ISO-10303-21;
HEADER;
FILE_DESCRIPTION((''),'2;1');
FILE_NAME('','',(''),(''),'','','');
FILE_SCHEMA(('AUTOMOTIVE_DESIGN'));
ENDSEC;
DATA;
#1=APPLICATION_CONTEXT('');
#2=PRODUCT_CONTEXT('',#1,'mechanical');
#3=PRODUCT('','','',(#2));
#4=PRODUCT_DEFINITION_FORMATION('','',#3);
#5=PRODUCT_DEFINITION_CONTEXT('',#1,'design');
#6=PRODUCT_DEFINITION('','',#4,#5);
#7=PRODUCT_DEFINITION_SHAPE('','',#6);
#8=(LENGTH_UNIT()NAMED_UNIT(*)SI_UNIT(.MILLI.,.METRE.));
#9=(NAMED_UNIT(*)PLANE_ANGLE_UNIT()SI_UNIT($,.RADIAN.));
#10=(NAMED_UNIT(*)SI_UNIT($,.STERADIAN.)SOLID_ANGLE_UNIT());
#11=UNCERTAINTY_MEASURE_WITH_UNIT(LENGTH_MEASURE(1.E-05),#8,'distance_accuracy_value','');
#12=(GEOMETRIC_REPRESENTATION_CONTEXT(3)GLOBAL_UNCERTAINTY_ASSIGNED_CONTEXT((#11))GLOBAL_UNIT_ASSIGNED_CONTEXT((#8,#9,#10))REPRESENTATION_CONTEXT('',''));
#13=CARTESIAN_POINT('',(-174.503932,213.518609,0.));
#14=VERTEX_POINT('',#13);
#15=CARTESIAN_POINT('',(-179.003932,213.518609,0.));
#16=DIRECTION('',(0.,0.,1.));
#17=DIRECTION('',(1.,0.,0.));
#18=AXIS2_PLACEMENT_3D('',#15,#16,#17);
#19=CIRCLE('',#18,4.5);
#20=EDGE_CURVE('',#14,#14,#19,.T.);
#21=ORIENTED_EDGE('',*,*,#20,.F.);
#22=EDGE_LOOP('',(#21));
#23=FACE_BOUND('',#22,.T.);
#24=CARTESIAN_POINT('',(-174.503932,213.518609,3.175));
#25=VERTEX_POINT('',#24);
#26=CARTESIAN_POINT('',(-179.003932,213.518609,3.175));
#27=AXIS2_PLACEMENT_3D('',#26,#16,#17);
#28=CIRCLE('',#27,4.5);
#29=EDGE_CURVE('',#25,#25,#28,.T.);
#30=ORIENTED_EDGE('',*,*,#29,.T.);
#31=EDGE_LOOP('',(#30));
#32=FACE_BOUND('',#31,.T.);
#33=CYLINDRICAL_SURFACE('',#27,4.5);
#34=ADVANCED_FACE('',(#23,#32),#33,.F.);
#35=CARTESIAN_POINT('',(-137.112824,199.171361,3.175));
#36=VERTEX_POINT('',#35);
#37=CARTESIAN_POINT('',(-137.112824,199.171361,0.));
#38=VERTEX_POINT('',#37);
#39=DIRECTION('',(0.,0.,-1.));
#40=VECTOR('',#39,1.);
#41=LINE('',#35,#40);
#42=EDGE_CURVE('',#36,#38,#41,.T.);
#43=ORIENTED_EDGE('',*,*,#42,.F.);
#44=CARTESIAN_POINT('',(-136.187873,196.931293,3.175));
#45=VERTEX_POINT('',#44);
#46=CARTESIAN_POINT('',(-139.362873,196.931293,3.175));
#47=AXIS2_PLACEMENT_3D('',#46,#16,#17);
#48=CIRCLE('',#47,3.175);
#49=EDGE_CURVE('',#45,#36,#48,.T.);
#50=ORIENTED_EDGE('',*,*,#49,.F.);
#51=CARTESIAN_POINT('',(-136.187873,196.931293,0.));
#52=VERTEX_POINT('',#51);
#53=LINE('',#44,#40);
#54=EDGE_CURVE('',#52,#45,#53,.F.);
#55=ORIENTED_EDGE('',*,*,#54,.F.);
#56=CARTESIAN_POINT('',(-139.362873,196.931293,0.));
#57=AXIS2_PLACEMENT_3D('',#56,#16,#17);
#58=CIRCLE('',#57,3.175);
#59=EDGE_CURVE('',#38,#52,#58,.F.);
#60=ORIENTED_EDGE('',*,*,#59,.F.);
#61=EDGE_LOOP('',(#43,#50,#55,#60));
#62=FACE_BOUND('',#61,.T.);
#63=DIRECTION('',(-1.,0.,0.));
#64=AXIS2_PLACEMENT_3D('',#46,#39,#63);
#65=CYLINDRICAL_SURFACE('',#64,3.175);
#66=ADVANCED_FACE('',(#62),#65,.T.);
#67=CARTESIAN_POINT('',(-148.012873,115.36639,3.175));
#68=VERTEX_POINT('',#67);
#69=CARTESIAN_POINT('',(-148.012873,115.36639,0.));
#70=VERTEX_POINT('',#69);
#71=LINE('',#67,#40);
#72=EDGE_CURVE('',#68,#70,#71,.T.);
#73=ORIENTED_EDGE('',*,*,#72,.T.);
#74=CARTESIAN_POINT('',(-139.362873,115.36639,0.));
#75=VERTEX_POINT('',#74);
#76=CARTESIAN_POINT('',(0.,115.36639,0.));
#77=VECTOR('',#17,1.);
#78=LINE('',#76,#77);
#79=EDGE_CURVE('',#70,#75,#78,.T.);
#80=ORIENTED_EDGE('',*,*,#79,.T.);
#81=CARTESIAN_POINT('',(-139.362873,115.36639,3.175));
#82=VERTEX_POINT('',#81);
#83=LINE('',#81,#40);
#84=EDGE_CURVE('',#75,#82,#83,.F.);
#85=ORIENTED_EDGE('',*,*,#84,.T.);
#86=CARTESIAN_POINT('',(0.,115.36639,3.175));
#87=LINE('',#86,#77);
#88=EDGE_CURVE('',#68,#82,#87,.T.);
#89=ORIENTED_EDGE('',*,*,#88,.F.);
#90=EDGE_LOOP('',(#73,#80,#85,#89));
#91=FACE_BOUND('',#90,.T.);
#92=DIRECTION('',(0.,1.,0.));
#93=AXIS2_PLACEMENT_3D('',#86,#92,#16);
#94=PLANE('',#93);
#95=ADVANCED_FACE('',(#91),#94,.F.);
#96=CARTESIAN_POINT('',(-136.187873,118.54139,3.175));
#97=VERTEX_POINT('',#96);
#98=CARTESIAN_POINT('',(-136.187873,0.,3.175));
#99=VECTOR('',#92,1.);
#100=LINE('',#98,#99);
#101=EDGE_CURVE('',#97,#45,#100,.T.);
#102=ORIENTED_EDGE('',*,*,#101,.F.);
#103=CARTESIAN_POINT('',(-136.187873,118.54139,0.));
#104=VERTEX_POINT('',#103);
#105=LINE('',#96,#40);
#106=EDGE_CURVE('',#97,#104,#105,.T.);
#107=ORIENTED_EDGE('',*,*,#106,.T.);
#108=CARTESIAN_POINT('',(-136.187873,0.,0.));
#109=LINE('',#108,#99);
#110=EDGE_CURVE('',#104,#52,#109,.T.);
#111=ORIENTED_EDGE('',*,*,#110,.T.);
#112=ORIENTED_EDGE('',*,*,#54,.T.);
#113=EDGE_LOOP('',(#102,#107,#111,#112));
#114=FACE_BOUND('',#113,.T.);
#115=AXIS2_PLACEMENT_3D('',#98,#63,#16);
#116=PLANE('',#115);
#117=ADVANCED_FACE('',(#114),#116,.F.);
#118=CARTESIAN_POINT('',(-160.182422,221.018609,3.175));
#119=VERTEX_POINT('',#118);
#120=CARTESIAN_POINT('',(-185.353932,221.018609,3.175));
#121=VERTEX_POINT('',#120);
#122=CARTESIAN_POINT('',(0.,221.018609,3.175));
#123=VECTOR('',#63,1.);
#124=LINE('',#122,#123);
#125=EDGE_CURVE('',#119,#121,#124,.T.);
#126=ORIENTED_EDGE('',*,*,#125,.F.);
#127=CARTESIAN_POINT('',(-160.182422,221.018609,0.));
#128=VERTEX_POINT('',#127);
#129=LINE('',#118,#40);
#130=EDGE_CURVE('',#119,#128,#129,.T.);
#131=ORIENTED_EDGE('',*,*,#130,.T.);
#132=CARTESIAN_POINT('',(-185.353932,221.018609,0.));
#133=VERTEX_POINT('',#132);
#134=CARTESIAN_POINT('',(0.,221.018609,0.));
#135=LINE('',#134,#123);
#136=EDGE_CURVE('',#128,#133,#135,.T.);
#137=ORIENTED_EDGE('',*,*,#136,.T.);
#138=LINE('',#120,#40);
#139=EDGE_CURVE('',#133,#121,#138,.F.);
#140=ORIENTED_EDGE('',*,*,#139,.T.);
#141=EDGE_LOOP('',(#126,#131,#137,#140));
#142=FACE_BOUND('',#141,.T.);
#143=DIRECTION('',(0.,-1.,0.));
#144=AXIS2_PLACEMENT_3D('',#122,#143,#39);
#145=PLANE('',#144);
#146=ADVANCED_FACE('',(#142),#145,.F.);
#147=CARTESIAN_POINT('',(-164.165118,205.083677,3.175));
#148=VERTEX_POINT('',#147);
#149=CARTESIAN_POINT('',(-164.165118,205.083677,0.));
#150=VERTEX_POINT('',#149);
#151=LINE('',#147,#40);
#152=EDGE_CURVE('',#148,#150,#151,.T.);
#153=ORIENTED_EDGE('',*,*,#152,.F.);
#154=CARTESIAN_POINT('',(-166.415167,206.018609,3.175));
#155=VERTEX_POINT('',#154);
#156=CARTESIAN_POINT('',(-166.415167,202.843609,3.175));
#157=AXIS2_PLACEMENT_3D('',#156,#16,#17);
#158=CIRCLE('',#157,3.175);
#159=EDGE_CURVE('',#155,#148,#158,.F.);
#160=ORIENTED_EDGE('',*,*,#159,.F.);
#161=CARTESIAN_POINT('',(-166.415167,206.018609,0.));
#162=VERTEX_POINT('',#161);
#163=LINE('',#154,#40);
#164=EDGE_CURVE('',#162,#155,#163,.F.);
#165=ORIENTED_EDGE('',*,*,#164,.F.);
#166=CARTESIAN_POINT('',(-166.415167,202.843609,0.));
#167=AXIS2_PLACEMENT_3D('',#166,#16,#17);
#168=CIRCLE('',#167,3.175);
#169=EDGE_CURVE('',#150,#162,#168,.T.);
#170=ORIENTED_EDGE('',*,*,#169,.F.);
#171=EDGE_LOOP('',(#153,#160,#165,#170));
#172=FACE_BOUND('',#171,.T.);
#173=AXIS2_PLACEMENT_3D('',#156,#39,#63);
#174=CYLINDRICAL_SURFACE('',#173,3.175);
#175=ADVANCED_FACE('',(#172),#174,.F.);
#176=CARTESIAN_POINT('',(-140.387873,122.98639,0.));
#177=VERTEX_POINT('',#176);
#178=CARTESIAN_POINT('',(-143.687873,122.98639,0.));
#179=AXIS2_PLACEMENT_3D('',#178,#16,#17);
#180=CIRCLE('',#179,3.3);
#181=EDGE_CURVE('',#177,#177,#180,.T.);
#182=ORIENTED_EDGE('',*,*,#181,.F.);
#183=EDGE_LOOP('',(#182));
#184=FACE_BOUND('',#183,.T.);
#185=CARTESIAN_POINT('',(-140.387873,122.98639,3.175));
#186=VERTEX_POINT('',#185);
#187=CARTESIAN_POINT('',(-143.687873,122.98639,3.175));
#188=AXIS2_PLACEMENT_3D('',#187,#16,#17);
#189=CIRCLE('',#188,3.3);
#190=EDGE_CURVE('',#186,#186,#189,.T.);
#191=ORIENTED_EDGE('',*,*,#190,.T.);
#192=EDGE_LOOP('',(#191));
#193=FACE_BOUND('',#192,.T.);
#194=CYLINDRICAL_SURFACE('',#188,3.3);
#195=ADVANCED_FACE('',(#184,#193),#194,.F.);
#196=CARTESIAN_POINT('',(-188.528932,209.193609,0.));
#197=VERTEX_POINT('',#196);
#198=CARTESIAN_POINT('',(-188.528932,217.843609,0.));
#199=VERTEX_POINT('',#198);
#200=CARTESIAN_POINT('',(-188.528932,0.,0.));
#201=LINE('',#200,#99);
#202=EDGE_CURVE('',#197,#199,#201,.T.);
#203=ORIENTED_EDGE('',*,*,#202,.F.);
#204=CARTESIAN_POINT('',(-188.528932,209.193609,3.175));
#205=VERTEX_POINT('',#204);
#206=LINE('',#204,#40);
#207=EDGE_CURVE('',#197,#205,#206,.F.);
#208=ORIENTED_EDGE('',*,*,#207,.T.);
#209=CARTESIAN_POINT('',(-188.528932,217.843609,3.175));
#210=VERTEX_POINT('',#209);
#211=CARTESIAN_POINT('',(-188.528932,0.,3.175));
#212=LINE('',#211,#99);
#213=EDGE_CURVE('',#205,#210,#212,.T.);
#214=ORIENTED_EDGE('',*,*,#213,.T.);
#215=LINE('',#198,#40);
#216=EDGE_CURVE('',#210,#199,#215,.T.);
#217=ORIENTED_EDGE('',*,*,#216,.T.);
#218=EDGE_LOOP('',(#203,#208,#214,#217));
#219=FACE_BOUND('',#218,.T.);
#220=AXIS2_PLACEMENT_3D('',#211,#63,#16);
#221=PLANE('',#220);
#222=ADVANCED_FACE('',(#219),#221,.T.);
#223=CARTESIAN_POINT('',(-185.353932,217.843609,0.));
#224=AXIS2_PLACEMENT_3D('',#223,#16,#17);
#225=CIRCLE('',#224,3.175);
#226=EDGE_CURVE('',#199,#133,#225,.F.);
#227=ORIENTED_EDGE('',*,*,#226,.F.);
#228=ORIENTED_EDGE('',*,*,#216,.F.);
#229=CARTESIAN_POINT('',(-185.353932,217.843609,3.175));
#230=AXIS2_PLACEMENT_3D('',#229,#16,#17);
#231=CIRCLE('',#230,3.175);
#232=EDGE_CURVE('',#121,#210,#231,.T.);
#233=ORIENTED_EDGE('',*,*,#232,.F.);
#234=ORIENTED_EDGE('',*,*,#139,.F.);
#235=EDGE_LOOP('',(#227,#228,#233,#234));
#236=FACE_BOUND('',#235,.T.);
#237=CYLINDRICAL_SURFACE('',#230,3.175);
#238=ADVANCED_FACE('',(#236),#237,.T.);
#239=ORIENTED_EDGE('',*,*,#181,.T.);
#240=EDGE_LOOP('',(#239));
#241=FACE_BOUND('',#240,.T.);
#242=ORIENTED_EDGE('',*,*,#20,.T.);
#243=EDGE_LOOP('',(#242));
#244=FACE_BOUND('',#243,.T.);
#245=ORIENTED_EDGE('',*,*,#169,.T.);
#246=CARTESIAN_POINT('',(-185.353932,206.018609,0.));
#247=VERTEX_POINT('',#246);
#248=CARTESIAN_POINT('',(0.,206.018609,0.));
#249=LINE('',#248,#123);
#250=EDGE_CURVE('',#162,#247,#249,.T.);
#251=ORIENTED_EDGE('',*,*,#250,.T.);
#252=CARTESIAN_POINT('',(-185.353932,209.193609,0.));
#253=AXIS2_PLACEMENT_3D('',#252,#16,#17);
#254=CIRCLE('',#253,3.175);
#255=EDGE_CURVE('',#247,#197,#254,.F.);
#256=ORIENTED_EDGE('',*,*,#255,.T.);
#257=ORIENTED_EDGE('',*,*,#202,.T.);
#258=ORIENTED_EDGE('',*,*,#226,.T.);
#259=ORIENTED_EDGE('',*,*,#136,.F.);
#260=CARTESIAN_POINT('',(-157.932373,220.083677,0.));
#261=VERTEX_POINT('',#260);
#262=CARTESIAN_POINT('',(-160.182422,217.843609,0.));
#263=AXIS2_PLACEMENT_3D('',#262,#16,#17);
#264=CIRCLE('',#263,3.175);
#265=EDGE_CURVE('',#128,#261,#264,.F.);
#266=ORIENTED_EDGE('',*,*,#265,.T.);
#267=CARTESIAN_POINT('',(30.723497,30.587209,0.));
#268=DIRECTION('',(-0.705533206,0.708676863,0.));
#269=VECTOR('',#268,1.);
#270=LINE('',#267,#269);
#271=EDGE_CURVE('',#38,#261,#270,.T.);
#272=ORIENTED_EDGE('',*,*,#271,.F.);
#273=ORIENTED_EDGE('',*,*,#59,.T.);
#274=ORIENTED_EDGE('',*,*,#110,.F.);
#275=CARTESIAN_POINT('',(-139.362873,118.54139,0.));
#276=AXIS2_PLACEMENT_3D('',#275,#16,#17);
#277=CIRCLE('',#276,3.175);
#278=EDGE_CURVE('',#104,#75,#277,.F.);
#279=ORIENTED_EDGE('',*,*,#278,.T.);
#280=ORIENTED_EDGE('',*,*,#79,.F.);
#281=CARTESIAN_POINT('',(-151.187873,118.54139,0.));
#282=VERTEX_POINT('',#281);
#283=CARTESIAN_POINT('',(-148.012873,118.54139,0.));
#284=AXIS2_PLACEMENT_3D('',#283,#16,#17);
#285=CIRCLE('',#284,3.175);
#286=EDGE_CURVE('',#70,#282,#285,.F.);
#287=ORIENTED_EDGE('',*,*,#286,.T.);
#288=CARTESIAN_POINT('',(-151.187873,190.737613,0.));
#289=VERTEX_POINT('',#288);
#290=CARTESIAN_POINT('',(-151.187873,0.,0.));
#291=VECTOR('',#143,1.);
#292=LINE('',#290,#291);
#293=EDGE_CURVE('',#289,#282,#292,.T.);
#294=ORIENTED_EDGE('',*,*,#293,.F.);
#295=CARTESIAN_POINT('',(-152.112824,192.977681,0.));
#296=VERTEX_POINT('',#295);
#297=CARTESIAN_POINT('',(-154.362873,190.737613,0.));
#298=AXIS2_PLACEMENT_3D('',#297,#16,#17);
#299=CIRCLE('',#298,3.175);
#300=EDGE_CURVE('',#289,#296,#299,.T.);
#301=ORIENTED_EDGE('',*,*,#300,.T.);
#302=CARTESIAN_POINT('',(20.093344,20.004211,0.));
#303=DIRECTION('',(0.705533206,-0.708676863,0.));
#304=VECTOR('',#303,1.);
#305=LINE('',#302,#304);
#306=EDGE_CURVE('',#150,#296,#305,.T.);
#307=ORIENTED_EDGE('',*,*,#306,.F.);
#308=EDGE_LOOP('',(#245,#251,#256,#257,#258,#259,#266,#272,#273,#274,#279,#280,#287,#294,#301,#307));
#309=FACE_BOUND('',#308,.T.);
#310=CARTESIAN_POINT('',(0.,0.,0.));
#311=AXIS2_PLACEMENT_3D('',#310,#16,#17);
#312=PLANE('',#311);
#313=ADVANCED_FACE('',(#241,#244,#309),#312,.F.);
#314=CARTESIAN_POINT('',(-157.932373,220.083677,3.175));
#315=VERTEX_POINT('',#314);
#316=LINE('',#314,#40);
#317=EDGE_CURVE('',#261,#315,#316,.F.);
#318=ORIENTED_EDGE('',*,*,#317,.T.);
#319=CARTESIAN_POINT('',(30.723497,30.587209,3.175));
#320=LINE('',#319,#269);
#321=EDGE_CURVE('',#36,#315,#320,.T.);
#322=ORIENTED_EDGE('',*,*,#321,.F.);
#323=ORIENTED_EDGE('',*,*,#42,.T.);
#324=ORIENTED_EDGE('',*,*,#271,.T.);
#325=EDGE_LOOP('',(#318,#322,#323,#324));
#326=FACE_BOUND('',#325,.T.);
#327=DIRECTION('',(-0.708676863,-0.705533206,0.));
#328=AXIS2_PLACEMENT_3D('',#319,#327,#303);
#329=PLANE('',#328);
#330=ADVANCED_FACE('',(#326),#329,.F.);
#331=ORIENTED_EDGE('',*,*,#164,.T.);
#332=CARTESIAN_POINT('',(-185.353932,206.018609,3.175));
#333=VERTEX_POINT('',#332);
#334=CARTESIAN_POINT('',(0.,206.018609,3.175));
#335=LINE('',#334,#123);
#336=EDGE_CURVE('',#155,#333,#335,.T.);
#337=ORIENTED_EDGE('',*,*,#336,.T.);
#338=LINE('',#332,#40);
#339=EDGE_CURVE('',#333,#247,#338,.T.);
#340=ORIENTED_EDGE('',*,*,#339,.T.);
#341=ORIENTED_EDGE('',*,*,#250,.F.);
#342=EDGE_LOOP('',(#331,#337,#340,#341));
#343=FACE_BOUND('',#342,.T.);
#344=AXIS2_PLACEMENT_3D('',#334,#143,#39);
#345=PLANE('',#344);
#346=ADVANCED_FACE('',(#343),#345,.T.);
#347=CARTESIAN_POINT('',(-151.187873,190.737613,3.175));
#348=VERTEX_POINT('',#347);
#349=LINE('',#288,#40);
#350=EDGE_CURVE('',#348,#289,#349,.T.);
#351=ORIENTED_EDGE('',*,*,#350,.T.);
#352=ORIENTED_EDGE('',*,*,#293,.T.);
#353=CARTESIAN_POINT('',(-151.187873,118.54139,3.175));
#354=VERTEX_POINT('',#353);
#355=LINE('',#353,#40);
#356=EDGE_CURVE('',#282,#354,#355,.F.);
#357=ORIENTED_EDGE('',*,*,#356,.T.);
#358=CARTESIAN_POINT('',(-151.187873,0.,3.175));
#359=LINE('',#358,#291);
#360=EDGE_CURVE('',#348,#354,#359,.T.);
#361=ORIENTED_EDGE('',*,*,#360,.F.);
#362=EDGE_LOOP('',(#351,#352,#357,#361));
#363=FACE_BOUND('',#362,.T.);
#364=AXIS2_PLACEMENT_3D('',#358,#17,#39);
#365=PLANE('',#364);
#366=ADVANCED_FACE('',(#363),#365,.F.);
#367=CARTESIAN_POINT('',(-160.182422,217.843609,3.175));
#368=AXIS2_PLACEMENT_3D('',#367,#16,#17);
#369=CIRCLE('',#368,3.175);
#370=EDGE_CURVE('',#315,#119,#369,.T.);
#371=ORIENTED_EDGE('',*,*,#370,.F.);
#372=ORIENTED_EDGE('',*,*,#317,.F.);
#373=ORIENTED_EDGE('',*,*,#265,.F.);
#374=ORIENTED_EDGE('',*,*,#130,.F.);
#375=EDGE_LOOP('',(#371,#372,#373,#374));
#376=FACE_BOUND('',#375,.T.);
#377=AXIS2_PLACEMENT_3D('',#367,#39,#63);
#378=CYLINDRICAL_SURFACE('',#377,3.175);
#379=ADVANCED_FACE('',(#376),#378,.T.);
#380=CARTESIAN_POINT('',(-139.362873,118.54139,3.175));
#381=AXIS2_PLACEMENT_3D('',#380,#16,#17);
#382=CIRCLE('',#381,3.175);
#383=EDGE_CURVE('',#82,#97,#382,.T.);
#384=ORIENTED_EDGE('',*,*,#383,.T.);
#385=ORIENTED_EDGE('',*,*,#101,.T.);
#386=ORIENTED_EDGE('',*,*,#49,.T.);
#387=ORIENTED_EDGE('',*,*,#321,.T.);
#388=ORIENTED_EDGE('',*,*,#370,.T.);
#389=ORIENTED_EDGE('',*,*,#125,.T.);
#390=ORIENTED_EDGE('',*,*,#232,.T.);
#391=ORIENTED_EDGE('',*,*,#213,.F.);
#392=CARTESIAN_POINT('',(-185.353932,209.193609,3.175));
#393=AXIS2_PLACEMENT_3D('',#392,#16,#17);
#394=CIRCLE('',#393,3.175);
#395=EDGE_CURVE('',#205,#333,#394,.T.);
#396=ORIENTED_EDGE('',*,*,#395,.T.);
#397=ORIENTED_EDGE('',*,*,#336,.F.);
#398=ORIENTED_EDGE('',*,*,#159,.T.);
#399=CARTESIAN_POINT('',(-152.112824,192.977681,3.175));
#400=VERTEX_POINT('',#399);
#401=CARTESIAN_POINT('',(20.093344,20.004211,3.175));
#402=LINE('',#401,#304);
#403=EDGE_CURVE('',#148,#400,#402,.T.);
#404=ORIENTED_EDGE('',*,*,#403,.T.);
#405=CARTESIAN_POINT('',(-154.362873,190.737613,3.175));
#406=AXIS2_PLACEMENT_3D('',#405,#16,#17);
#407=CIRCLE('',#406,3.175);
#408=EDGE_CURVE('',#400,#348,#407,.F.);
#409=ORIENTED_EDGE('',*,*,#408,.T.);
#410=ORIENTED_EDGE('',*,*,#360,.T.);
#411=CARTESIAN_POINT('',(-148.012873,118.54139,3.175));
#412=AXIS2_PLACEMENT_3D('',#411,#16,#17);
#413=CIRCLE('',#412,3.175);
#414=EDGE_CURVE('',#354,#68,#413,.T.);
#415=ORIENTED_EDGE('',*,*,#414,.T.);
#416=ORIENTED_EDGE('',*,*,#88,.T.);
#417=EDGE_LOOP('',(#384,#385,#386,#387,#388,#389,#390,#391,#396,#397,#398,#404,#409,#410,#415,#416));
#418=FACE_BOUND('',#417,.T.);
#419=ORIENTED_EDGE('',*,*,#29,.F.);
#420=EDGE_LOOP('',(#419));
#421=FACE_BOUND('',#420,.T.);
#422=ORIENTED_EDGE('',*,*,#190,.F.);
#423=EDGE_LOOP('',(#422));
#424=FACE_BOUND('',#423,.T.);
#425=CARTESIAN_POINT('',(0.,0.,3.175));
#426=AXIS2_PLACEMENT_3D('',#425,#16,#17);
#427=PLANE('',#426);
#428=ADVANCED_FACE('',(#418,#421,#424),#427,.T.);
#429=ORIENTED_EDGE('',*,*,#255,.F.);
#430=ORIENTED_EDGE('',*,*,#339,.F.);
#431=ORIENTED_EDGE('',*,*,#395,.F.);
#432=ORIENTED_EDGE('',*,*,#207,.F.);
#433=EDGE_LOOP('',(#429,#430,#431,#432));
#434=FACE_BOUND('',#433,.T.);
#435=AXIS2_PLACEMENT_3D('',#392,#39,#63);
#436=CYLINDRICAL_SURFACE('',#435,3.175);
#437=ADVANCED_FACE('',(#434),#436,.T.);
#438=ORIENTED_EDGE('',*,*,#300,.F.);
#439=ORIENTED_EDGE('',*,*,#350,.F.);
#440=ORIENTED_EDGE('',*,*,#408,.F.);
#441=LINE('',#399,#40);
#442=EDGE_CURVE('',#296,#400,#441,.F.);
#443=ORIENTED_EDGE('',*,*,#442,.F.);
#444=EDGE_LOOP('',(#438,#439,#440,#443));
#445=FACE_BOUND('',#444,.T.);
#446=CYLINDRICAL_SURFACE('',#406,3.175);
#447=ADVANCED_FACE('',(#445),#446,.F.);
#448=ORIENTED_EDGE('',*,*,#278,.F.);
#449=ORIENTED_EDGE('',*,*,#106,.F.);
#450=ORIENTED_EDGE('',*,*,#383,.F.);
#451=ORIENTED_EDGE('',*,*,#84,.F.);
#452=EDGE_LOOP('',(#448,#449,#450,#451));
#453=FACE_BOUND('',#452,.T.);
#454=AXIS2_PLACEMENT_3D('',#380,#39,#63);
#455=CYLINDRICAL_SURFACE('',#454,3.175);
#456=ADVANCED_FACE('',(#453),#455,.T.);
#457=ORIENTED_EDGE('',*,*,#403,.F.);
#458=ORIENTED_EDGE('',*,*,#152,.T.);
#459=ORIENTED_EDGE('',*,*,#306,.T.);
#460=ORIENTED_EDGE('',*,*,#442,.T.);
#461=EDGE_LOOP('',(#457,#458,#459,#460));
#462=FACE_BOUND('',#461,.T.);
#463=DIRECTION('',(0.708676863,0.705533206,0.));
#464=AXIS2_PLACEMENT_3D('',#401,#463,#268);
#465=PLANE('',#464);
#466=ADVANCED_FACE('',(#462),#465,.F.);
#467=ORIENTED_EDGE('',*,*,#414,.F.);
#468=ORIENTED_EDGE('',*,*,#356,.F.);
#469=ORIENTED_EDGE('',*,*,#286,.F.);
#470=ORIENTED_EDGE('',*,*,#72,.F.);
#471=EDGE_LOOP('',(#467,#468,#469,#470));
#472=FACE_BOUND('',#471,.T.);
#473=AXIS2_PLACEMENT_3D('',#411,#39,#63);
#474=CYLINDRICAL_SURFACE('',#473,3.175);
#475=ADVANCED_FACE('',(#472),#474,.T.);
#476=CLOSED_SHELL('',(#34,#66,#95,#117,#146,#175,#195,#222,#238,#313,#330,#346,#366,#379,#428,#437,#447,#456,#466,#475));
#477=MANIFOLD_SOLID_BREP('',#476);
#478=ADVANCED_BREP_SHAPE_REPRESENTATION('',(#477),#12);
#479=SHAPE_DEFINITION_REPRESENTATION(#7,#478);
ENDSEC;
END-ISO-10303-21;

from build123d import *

# Parameters (mm, degrees)
BOSS_EXTRUDE1_DEPTH  = 3.175
M6_CLEARANCE_HOLE1_D = 6.6
FILLET1_R            = 3.175
M8_CLEARANCE_HOLE1_D = 9


with BuildPart() as part:
    # Sketch2 → Boss-Extrude1 (new body)
    with BuildSketch(Plane.XY):
        Polygon((-136.187872738, 122.986389998), (-136.187872738, 198.242289047), (-158.863157835, 221.01860883), (-179.00393221, 221.01860883), (-188.52893221, 221.01860883), (-188.52893221, 206.01860883), (-179.00393221, 206.01860883), (-151.187872738, 206.01860883), (-151.187872738, 122.986389998), (-151.187872738, 115.366389998), (-136.187872738, 115.366389998), align=None)
        Polygon((-151.187872738, 206.01860883), (-165.095902474, 206.01860883), (-151.187872738, 192.04860883), align=None)
    extrude(amount=BOSS_EXTRUDE1_DEPTH)

    # M6 Clearance Hole1 (through all)
    with Locations(Plane.XY.offset(3.175)):
        with Locations((-143.687872738, 122.986389998)):
            Hole(M6_CLEARANCE_HOLE1_D / 2)

    # Fillet1
    fillet1_edges = [part.edges().sort_by_distance(p)[0] for p in [
        (-188.52893221, 206.01860883, 1.5875),
        (-188.52893221, 221.01860883, 1.5875),
        (-158.863157835, 221.01860883, 1.5875),
        (-136.187872738, 198.242289047, 1.5875),
        (-136.187872738, 115.366389998, 1.5875),
        (-151.187872738, 115.366389998, 1.5875),
        (-151.187872738, 192.04860883, 1.5875),
        (-165.095902474, 206.01860883, 1.5875),
    ]]
    fillet(fillet1_edges, radius=FILLET1_R)

    # M8 Clearance Hole1 (through all)
    with Locations(Plane.XY.offset(3.175)):
        with Locations((-179.00393221, 213.51860883)):
            Hole(M8_CLEARANCE_HOLE1_D / 2)


solid = part.part
